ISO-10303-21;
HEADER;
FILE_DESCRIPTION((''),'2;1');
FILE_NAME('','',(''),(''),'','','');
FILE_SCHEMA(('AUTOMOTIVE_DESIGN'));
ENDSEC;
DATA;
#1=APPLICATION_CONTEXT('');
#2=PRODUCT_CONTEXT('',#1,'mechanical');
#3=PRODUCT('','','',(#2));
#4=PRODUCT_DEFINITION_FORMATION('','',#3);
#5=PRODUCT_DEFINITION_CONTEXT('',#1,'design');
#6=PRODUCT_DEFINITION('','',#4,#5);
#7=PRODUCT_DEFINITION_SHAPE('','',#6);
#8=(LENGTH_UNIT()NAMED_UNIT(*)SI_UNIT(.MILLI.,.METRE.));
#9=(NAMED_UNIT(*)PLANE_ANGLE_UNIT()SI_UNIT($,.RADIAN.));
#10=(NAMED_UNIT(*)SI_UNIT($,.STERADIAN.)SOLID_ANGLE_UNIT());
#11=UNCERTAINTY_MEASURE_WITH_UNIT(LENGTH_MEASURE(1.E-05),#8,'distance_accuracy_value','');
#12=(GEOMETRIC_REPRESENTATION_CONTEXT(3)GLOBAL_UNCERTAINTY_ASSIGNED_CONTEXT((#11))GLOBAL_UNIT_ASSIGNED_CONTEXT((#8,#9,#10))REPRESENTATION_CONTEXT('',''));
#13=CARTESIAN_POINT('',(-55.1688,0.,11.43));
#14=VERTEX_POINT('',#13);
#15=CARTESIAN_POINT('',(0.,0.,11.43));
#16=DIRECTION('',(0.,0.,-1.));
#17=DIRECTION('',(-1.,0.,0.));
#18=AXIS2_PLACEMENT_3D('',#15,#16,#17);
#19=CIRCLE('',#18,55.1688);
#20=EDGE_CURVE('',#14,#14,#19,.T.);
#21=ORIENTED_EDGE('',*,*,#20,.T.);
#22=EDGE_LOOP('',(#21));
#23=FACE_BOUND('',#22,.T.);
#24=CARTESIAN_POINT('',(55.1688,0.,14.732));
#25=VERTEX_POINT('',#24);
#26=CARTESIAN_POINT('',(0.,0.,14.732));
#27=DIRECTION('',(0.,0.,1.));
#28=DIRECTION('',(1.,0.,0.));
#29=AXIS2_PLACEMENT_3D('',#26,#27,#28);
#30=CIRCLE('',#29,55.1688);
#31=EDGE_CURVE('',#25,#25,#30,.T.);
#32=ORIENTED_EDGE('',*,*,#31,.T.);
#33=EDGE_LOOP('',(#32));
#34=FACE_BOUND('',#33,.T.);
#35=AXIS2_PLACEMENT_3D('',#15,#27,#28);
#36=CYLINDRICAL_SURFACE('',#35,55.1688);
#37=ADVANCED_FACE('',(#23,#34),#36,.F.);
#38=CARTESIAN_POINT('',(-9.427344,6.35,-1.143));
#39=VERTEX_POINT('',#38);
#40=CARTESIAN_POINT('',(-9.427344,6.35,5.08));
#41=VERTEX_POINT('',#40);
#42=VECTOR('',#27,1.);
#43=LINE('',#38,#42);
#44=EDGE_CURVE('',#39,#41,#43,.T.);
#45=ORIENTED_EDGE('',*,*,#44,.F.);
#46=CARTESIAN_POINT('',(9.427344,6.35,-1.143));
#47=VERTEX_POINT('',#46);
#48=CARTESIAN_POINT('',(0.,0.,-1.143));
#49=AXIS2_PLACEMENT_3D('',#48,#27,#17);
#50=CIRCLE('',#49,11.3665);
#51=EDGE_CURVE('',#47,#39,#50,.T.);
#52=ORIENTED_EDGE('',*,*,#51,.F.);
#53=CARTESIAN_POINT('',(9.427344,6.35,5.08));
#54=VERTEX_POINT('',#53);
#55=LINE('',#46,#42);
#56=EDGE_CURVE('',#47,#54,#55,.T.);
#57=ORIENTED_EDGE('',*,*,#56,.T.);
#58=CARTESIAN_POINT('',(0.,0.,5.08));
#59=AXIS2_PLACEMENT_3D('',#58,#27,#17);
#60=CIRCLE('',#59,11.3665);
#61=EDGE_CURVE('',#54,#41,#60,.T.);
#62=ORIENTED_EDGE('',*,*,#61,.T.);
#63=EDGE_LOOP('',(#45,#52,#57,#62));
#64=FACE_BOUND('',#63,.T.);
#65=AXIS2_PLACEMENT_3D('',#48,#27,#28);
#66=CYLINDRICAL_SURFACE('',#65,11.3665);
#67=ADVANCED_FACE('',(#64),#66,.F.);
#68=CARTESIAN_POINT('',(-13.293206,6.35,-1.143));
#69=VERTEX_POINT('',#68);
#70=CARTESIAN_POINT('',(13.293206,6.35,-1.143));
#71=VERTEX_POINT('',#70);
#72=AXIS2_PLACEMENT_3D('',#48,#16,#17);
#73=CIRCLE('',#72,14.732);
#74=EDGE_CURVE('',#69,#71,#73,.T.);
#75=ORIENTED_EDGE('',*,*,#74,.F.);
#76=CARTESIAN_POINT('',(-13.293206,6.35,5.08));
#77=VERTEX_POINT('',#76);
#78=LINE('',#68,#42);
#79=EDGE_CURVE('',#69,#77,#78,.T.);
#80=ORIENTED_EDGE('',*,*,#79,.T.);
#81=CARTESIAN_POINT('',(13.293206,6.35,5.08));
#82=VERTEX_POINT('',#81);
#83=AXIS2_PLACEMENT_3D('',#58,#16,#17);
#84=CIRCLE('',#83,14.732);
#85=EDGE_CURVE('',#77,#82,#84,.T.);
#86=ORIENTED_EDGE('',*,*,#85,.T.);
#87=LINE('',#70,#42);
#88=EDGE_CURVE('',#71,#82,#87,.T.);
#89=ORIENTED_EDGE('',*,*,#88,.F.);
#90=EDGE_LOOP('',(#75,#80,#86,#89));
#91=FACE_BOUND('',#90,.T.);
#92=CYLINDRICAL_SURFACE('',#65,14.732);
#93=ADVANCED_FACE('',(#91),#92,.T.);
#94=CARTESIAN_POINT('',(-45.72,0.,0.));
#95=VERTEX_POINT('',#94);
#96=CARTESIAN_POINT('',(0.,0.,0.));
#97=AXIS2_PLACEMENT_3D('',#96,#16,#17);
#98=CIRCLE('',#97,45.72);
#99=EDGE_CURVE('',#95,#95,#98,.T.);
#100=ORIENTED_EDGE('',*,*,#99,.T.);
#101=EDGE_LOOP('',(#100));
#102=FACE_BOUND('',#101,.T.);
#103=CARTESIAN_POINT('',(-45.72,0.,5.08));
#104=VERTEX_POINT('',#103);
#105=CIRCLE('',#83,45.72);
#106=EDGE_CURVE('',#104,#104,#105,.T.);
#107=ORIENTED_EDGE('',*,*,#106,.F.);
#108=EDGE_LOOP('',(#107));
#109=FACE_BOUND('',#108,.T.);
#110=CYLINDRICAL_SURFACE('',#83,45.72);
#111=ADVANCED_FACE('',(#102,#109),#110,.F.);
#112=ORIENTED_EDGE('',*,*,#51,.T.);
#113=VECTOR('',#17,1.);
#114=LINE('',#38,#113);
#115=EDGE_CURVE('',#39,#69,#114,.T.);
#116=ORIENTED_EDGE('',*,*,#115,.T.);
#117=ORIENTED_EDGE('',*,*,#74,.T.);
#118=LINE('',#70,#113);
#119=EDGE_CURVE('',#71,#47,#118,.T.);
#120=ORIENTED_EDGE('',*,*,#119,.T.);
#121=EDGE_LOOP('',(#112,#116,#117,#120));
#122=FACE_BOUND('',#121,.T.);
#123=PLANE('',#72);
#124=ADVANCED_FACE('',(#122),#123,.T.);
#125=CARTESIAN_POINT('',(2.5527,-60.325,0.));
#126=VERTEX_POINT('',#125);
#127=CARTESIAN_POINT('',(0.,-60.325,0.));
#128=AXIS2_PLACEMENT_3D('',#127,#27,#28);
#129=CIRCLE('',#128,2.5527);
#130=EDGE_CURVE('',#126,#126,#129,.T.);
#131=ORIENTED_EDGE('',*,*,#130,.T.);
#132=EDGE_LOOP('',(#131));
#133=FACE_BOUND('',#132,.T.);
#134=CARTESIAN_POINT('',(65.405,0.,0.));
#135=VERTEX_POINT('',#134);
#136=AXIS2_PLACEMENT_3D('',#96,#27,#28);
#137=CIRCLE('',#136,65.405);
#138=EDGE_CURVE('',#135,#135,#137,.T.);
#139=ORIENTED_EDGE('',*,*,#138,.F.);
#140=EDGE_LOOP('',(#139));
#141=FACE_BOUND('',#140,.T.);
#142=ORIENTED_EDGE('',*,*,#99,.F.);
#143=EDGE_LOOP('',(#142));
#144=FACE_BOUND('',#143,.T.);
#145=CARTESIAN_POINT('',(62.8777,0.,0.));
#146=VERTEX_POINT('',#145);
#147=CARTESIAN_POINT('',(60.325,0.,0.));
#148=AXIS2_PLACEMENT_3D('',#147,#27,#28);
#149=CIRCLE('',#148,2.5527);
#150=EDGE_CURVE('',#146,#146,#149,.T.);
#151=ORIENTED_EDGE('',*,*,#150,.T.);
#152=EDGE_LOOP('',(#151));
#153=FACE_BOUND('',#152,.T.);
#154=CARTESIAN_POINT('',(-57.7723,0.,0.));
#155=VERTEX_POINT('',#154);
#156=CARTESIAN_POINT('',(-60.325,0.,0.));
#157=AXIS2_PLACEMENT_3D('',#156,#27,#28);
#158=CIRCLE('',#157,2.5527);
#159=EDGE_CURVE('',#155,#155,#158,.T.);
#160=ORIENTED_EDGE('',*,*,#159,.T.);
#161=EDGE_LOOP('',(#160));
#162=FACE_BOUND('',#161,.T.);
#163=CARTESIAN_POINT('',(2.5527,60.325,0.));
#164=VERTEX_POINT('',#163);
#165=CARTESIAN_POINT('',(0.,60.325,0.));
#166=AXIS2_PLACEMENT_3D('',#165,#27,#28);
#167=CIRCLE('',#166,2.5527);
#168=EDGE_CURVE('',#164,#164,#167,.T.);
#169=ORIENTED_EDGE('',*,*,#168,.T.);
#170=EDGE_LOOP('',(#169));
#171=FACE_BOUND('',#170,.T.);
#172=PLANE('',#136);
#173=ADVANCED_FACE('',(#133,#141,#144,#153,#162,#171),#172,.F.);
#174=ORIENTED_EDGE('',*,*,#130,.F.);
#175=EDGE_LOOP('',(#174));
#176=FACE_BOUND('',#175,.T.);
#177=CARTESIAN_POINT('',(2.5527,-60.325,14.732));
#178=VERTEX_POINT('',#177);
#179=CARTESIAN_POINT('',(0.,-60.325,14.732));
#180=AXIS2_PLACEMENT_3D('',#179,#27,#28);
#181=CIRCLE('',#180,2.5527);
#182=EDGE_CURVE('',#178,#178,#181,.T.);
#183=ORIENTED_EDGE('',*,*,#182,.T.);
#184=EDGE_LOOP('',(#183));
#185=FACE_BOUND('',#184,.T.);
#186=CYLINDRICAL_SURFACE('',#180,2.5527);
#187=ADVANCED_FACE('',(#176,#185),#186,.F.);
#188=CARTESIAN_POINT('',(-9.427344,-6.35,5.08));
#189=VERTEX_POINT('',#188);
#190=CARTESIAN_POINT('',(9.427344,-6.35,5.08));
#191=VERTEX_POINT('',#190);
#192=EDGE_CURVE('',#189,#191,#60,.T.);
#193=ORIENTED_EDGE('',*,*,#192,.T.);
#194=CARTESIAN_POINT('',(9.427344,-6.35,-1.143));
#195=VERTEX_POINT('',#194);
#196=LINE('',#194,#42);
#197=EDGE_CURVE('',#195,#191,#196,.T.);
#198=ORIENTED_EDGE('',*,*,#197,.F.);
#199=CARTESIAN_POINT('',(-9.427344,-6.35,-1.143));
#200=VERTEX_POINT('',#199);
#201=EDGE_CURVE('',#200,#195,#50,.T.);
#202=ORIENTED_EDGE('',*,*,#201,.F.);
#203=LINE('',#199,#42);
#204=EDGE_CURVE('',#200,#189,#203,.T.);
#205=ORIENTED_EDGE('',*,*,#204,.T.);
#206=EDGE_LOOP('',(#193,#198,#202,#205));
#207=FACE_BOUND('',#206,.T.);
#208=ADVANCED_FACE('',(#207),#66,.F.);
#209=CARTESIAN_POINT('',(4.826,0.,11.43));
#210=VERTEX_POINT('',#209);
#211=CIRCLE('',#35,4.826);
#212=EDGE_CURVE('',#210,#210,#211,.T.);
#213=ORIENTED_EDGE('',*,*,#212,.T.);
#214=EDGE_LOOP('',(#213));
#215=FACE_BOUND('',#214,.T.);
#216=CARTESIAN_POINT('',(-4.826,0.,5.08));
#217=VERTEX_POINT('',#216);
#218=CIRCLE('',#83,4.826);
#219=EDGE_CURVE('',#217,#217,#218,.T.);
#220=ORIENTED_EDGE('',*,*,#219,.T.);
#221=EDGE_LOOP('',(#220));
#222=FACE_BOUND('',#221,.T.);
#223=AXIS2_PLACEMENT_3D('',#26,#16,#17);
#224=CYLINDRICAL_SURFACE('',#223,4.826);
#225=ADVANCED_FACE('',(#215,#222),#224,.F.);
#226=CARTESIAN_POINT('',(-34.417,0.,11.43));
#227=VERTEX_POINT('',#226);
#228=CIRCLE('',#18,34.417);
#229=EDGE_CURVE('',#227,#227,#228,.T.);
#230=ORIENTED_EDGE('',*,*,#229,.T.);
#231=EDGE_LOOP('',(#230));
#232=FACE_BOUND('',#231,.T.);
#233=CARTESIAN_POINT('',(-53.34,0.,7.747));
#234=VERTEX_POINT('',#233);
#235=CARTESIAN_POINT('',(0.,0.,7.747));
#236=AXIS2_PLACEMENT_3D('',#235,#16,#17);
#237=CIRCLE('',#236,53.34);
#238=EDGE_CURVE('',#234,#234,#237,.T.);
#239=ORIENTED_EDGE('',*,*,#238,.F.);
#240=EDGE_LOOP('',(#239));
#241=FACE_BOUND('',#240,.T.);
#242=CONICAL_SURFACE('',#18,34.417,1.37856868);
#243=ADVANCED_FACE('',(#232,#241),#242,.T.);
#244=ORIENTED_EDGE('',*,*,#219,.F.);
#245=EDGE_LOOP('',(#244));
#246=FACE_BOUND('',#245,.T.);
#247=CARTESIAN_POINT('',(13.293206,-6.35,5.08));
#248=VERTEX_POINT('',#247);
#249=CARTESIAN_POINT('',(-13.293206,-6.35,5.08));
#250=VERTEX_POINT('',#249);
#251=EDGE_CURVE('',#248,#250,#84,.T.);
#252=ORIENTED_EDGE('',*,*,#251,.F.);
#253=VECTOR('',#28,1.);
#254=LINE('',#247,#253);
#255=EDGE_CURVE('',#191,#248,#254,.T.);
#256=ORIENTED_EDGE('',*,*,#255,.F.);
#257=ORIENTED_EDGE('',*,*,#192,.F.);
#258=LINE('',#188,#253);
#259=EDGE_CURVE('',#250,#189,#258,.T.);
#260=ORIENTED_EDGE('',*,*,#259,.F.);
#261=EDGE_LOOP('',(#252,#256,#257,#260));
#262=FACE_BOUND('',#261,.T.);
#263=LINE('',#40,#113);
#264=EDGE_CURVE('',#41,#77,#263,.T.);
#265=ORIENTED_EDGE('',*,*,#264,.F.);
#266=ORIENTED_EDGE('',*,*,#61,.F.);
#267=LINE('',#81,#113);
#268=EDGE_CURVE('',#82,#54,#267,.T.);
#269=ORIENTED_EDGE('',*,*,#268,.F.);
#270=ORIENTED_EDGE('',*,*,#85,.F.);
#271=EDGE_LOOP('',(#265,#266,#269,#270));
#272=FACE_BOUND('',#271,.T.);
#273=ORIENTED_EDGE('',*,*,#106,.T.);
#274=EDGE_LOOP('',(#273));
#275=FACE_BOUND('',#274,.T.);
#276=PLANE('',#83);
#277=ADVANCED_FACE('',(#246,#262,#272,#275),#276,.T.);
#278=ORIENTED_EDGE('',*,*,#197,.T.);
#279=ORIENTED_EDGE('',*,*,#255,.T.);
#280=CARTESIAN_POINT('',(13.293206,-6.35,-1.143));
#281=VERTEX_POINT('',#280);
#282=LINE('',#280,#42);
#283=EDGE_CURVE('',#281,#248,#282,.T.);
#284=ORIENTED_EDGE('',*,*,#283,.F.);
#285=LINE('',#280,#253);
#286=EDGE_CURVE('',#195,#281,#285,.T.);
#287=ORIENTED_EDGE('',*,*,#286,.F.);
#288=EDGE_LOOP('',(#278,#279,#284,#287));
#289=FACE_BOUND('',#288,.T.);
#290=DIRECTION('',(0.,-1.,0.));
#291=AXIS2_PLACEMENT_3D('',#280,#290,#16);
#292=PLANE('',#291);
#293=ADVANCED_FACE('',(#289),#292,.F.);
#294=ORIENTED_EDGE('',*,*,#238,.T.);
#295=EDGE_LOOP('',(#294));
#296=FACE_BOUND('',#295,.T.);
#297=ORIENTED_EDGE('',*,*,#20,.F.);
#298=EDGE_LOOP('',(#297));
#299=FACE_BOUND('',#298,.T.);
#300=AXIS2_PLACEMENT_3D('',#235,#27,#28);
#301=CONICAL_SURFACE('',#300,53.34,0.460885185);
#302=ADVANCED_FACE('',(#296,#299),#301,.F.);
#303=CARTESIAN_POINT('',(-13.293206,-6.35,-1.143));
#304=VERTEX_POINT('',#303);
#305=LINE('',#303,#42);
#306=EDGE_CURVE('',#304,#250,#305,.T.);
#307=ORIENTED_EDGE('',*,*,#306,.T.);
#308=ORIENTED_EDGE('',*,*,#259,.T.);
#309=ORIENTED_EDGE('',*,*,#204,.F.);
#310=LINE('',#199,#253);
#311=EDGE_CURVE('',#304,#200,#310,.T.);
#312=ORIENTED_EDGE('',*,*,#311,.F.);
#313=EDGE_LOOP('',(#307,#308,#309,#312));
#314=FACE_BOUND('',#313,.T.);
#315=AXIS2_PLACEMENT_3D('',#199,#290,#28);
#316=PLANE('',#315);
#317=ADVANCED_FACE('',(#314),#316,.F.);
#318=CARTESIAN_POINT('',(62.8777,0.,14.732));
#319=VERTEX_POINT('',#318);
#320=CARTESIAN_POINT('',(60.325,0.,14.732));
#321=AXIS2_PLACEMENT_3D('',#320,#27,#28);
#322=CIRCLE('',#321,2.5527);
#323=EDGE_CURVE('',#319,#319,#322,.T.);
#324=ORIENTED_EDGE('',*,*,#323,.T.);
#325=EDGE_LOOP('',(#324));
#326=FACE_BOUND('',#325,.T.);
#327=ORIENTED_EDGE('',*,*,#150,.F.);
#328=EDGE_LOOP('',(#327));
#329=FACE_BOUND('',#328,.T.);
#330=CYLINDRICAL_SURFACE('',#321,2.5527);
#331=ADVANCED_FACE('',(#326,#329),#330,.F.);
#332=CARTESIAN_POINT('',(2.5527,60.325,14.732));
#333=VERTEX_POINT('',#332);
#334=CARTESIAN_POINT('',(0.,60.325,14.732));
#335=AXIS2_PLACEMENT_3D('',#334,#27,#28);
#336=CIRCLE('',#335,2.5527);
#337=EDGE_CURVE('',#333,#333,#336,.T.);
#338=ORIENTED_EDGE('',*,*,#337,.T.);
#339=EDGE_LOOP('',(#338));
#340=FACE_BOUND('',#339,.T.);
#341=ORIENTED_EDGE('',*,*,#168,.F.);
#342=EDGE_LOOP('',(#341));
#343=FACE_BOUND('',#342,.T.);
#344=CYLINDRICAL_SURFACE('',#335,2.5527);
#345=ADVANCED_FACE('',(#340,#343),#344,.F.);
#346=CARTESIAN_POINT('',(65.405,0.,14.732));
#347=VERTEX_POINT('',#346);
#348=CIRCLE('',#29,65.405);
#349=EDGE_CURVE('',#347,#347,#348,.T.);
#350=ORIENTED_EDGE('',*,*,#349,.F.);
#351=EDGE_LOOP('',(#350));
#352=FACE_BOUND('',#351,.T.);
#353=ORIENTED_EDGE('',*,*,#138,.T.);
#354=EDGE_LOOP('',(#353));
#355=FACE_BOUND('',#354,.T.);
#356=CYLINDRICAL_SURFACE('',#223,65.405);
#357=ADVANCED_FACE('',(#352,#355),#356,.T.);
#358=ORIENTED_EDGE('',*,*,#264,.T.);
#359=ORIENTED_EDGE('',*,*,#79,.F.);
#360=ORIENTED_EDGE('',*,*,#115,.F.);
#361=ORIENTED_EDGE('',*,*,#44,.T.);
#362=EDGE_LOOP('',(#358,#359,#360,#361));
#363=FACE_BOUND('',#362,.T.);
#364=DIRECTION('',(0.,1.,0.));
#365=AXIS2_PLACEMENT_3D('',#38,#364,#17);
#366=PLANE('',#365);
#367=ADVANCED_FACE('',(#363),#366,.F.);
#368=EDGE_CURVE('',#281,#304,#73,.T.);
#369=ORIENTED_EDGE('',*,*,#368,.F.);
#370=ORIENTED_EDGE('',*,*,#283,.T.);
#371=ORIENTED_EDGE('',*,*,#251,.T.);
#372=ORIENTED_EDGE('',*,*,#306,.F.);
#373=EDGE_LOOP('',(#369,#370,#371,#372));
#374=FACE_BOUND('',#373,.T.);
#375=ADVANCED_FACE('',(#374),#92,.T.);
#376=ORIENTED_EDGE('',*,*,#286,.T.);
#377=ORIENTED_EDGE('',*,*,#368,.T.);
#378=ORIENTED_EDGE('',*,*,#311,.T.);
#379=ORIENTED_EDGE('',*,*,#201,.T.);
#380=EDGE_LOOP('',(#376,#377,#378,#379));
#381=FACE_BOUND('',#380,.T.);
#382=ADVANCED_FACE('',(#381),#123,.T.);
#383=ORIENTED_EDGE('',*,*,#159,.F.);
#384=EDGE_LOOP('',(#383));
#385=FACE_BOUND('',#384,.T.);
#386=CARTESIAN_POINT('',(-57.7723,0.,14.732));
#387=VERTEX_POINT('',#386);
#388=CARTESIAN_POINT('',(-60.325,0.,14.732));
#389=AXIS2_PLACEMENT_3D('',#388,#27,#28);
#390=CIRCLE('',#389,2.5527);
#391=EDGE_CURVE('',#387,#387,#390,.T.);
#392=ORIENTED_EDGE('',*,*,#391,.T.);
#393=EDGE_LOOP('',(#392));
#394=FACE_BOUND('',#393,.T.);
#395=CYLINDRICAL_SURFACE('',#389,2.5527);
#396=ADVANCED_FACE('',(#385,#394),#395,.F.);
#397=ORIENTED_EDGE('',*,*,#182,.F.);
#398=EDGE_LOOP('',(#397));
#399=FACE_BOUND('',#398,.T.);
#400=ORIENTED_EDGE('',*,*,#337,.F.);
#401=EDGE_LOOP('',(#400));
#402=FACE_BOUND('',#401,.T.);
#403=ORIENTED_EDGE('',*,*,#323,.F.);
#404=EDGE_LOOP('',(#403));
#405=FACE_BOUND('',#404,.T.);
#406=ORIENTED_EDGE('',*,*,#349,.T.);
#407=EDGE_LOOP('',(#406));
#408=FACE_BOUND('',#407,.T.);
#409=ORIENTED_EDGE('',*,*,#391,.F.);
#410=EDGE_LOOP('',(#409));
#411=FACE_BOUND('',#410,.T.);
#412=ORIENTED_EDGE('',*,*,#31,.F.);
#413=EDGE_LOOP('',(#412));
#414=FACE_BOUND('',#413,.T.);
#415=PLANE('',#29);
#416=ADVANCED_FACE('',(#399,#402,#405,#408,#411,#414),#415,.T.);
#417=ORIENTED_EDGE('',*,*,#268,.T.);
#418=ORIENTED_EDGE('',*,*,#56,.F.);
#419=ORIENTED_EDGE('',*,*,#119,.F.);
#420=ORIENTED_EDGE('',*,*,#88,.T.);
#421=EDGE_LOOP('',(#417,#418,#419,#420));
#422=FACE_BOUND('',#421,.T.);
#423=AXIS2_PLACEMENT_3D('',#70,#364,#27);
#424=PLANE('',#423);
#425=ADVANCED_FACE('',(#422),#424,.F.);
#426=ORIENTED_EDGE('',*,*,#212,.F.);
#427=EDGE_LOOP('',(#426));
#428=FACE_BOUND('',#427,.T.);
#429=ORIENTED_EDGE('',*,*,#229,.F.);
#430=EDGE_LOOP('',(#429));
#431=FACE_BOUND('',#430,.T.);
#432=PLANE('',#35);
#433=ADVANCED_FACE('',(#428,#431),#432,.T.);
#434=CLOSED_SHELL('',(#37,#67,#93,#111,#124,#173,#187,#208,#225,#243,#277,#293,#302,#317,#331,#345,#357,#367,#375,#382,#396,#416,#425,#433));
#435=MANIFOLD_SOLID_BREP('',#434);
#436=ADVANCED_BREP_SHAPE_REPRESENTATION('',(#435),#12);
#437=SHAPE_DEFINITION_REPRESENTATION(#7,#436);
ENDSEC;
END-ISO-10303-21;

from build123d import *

# Parameters (mm, degrees)
SKETCH1_R               = 65.405
BOSS_EXTRUDE1_DEPTH     = 14.732
SKETCH2_R               = 55.1688
CUT_EXTRUDE1_DEPTH      = 3.302
F_1_4_20_TAPPED_HOLE1_D = 5.1054
SKETCH6_R               = 45.72
CUT_EXTRUDE2_DEPTH      = 5.08
SKETCH7_R               = 4.826
CUT_EXTRUDE3_DEPTH      = 10.652
BOSS_EXTRUDE2_DEPTH     = 6.223


with BuildPart() as part:
    # Sketch1 → Boss-Extrude1 (new body)
    with BuildSketch(Plane.XY):
        Circle(SKETCH1_R)
    extrude(amount=BOSS_EXTRUDE1_DEPTH)

    # Sketch2 → Cut-Extrude1 (cut)
    with BuildSketch(Plane.XY.offset(14.732)):
        Circle(SKETCH2_R)
    extrude(amount=-CUT_EXTRUDE1_DEPTH, mode=Mode.SUBTRACT)

    # Sketch3 → Cut-Revolve1 (revolve, cut)
    with BuildSketch(Plane(origin=(0, 0, 0), x_dir=(0, 0, -1), z_dir=(1, 0, 0))):
        Polygon((-11.43, 34.417), (-7.747, 53.34), (-11.43, 55.1688), align=None)
    revolve(axis=Axis((0, 0, 0), (0, 0, 1)), mode=Mode.SUBTRACT)

    # 1/4-20 Tapped Hole1 (through all)
    with Locations(Plane.XY.offset(14.732)):
        with Locations((0, 60.325), (60.325, 0), (0, -60.325), (-60.325, 0)):
            Hole(F_1_4_20_TAPPED_HOLE1_D / 2)

    # Sketch6 → Cut-Extrude2 (cut)
    with BuildSketch(Plane(origin=(0, 0, 0), x_dir=(-1, 0, 0), z_dir=(0, 0, -1))):
        Circle(SKETCH6_R)
    extrude(amount=-CUT_EXTRUDE2_DEPTH, mode=Mode.SUBTRACT)

    # Sketch7 → Cut-Extrude3 (cut, through all)
    with BuildSketch(Plane(origin=(0, 0, 5.08), x_dir=(-1, 0, 0), z_dir=(0, 0, -1))):
        Circle(SKETCH7_R)
    extrude(amount=-CUT_EXTRUDE3_DEPTH, mode=Mode.SUBTRACT)

    # Sketch8 → Boss-Extrude2 (add)
    with BuildSketch(Plane(origin=(0, 0, 5.08), x_dir=(-1, 0, 0), z_dir=(0, 0, -1))):
        with BuildLine():
            Line((-13.293205934, -6.35), (-9.42734439, -6.35))
            ThreePointArc((-9.42734439, -6.35), (0, -11.3665), (9.42734439, -6.35))
            Line((9.42734439, -6.35), (13.293205934, -6.35))
            ThreePointArc((13.293205934, -6.35), (0, -14.732), (-13.293205934, -6.35))
        make_face()
        with BuildLine():
            Line((-13.293205934, 6.35), (-9.42734439, 6.35))
            ThreePointArc((-9.42734439, 6.35), (0, 11.3665), (9.42734439, 6.35))
            Line((9.42734439, 6.35), (13.293205934, 6.35))
            ThreePointArc((13.293205934, 6.35), (0, 14.732), (-13.293205934, 6.35))
        make_face()
    extrude(amount=BOSS_EXTRUDE2_DEPTH)


solid = part.part
